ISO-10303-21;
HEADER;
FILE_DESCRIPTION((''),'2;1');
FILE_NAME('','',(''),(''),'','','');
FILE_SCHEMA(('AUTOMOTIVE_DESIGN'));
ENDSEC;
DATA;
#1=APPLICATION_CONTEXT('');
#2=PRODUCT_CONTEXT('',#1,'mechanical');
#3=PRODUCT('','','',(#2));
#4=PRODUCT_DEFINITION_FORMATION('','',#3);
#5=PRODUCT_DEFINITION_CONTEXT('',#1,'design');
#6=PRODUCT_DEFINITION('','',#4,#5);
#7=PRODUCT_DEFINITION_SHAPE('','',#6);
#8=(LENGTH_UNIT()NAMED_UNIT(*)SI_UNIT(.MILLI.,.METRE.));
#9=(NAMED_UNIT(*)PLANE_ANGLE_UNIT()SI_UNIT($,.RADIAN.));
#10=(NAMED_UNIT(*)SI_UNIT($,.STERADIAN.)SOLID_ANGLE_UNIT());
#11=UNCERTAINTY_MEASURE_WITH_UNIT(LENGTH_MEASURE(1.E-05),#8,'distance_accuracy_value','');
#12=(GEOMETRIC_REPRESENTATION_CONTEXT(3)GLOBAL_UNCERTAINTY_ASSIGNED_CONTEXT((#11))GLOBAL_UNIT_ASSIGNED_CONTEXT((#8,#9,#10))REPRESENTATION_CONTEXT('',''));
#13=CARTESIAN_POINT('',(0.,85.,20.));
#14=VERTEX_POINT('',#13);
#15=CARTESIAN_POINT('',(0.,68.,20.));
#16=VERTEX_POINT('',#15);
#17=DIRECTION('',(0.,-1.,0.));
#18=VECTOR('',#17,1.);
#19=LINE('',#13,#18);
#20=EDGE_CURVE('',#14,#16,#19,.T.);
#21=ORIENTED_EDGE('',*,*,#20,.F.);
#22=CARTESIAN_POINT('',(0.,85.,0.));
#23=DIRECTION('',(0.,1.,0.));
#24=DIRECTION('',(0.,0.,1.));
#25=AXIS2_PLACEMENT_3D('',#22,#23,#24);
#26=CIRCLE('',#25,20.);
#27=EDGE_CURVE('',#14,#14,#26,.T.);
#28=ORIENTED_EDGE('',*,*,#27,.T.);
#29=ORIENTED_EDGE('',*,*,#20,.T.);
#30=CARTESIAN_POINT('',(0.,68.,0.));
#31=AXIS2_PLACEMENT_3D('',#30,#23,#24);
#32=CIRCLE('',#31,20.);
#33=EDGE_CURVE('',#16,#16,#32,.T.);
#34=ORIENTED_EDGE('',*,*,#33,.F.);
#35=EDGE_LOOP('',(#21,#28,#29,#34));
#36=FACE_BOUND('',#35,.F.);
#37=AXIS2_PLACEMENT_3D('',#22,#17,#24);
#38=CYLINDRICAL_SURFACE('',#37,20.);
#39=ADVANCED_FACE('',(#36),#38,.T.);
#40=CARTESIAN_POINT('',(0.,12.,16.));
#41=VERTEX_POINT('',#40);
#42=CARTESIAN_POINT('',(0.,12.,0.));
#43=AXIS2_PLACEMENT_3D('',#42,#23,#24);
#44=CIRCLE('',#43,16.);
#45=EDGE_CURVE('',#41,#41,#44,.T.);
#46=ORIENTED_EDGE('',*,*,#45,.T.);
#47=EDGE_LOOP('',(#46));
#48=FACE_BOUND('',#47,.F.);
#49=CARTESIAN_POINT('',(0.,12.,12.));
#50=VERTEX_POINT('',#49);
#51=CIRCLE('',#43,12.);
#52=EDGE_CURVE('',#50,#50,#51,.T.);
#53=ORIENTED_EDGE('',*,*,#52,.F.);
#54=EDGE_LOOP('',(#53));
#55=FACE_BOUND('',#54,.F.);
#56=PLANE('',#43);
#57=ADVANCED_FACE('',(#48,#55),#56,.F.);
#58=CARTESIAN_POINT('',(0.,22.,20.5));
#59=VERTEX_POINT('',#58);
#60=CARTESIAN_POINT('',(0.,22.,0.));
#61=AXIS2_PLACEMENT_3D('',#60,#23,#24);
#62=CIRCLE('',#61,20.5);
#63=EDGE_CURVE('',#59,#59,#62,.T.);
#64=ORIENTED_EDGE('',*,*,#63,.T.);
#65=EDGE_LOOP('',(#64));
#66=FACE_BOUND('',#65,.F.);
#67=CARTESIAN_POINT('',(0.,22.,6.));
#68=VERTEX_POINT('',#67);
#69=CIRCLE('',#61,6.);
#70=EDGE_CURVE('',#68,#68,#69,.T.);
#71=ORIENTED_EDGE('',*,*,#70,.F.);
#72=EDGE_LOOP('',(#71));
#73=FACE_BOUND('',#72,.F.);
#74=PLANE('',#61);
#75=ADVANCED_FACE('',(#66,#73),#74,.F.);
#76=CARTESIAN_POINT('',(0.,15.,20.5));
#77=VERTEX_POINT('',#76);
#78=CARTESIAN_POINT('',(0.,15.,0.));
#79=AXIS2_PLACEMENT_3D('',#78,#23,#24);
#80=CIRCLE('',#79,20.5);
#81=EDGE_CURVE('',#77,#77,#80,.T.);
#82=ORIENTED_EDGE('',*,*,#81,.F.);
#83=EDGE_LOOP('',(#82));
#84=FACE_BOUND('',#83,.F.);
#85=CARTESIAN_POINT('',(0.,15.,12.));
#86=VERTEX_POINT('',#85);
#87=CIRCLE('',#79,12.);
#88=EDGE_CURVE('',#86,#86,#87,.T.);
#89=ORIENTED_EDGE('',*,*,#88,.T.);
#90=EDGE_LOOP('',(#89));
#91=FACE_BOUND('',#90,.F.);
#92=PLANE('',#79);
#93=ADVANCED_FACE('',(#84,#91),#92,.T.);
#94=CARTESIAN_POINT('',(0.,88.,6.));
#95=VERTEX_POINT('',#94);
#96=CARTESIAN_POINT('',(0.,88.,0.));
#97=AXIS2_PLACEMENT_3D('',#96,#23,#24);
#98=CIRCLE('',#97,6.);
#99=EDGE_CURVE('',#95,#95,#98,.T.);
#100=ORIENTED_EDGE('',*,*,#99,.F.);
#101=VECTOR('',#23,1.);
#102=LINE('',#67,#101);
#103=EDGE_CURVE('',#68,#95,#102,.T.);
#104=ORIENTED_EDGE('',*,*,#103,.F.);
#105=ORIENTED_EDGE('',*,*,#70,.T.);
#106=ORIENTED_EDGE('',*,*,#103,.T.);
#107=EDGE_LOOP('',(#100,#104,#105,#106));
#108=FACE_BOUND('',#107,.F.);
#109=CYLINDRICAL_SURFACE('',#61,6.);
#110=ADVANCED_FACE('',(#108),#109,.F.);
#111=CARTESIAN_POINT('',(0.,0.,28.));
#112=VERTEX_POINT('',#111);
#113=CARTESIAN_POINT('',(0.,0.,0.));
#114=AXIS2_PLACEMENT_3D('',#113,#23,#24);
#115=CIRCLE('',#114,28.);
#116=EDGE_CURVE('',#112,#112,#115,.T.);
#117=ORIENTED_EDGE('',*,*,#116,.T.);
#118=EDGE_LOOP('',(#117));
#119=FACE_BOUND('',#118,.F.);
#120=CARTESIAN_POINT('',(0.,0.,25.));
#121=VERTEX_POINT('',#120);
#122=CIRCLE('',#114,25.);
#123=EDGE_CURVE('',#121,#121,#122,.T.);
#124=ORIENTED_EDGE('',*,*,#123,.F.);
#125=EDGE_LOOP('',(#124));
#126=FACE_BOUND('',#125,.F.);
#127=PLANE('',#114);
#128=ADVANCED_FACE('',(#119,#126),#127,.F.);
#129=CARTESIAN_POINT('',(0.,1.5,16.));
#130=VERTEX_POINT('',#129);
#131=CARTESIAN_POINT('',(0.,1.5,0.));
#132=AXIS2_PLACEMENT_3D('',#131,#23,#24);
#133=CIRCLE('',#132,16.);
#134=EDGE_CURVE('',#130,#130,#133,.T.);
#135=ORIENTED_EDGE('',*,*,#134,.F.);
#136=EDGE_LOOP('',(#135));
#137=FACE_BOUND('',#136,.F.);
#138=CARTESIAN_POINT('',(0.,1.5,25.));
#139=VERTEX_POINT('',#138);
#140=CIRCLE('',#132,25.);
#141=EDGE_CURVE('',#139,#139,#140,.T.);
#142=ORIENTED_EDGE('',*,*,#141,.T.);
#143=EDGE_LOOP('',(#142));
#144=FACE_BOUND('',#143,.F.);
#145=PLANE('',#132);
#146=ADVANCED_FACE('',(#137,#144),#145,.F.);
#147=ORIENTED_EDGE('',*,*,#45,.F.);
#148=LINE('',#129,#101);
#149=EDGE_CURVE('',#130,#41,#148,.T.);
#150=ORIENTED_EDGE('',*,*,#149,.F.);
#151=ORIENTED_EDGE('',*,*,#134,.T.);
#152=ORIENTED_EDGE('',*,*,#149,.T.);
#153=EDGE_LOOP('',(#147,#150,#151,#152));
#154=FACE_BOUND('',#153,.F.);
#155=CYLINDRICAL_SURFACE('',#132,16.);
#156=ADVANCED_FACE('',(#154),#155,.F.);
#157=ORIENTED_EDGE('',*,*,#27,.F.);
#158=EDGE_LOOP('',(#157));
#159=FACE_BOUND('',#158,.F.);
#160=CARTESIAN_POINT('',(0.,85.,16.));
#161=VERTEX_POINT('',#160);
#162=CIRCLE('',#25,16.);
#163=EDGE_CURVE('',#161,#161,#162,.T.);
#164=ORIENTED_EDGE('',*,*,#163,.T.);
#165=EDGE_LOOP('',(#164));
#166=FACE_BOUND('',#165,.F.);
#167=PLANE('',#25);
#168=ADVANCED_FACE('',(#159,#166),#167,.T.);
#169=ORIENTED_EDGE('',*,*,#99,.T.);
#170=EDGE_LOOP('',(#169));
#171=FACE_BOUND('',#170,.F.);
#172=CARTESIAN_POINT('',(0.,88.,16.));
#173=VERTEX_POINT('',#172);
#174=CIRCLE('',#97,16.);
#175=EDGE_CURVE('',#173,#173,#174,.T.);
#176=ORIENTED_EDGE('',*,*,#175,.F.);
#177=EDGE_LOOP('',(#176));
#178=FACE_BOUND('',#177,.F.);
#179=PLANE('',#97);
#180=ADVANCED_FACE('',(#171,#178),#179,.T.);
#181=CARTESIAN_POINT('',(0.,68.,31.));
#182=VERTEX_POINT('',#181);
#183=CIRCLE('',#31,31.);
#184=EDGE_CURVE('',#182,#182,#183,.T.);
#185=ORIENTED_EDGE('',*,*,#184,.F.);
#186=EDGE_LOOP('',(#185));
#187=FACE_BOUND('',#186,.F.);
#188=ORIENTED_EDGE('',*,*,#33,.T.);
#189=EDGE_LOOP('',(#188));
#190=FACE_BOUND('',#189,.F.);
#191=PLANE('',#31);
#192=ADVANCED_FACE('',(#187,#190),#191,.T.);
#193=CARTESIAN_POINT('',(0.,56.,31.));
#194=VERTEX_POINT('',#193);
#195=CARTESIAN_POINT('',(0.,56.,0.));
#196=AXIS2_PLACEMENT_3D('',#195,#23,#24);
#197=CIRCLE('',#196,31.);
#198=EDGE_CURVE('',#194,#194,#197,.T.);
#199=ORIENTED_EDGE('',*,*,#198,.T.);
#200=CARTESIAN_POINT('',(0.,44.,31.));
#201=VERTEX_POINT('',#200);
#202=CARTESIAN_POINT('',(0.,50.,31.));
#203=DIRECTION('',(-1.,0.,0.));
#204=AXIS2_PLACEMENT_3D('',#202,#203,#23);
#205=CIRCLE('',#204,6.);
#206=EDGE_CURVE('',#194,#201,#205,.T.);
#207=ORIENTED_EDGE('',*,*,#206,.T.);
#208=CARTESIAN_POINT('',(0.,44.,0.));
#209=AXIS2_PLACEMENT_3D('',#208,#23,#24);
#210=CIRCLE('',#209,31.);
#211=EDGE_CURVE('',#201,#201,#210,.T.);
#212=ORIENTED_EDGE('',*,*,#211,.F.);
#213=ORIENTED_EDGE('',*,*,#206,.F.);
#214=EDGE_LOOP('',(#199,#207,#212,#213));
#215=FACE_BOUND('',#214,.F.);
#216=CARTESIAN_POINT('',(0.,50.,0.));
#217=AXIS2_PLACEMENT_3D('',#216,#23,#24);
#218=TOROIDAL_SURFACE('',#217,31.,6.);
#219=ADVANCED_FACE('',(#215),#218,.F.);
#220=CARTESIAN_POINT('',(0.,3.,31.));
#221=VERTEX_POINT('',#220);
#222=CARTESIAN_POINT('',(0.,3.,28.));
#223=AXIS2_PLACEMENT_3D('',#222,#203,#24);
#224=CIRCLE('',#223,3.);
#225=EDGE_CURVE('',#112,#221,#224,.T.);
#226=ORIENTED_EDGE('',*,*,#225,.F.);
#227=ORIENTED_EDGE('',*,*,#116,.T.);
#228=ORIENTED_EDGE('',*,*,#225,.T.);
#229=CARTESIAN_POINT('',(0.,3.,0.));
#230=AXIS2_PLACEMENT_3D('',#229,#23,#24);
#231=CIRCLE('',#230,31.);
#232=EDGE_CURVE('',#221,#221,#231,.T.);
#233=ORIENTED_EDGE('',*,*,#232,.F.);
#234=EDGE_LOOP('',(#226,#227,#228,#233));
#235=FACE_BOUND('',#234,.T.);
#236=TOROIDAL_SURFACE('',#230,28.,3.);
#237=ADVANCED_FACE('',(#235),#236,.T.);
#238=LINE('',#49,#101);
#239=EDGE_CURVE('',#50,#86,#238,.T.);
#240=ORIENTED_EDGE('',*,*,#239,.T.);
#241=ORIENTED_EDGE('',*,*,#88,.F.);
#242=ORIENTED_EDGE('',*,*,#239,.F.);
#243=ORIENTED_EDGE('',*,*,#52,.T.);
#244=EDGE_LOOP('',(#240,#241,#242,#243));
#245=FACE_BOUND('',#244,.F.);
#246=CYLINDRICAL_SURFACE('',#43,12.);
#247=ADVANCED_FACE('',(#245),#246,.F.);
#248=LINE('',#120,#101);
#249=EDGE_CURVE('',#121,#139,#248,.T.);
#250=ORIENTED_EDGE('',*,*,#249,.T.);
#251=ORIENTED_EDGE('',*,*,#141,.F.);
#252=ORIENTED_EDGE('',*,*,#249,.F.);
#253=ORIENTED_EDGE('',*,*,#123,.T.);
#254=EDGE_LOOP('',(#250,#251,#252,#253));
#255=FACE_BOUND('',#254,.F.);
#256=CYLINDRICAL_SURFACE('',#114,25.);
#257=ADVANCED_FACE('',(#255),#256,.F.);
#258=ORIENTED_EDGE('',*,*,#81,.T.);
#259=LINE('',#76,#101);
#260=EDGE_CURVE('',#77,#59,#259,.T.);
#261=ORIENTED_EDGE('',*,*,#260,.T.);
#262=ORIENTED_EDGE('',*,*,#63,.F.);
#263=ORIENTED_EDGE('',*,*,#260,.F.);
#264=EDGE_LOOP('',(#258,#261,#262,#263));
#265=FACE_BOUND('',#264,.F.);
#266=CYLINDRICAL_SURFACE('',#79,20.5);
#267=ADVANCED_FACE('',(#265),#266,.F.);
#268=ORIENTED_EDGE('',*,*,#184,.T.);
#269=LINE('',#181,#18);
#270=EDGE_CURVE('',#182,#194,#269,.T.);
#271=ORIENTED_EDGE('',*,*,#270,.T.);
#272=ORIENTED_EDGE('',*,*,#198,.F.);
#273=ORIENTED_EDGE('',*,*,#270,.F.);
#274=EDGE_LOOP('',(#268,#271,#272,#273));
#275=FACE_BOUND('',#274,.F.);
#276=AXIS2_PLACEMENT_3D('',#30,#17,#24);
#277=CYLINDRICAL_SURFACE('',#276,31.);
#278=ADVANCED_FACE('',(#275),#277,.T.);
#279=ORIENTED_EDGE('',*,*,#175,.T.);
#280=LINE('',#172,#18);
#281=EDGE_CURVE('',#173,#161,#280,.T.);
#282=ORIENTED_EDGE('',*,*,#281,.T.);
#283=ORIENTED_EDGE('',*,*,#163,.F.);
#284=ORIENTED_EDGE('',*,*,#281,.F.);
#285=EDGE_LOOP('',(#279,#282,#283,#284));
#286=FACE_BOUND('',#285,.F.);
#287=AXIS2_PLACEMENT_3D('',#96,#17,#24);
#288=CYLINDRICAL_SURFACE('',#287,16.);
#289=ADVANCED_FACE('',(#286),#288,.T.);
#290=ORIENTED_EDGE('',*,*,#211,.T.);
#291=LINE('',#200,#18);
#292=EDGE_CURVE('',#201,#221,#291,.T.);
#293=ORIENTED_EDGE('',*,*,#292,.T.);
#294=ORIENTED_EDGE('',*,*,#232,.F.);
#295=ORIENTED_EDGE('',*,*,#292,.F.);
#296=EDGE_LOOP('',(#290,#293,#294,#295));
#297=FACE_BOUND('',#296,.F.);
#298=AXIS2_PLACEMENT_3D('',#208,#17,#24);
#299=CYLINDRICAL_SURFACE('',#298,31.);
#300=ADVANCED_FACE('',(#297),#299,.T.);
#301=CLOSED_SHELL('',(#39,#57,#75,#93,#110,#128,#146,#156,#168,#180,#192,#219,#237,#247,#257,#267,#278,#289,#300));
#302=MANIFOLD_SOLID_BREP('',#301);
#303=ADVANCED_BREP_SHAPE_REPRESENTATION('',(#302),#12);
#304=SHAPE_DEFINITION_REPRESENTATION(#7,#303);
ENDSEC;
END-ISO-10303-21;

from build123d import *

# Parameters (mm, degrees)
F2_R = 3


with BuildPart() as f1:
    # F0 (on Right) → F1 (revolve)
    with BuildSketch(Plane.YZ):
        with BuildLine():
            Line((0, 31), (0, 25))
            Line((0, 25), (1.5, 25))
            Line((1.5, 25), (1.5, 16))
            Line((1.5, 16), (12, 16))
            Line((12, 16), (12, 12))
            Line((12, 12), (15, 12))
            Line((15, 12), (15, 20.5))
            Line((15, 20.5), (22, 20.5))
            Line((22, 20.5), (22, 6))
            Line((22, 6), (88, 6))
            Line((88, 6), (88, 16))
            Line((88, 16), (85, 16))
            Line((85, 16), (85, 20))
            Line((85, 20), (68, 20))
            Line((68, 20), (68, 31))
            Line((68, 31), (56, 31))
            ThreePointArc((56, 31), (50, 25), (44, 31))
            Line((44, 31), (0, 31))
        make_face()
    revolve(axis=Axis((0, 44, 0), (0, 1, 0)))

    # F2
    f2_edges = [f1.edges().sort_by_distance(p)[0] for p in [
        (0, 0, -31),
    ]]
    fillet(f2_edges, radius=F2_R)


solid = f1.part
